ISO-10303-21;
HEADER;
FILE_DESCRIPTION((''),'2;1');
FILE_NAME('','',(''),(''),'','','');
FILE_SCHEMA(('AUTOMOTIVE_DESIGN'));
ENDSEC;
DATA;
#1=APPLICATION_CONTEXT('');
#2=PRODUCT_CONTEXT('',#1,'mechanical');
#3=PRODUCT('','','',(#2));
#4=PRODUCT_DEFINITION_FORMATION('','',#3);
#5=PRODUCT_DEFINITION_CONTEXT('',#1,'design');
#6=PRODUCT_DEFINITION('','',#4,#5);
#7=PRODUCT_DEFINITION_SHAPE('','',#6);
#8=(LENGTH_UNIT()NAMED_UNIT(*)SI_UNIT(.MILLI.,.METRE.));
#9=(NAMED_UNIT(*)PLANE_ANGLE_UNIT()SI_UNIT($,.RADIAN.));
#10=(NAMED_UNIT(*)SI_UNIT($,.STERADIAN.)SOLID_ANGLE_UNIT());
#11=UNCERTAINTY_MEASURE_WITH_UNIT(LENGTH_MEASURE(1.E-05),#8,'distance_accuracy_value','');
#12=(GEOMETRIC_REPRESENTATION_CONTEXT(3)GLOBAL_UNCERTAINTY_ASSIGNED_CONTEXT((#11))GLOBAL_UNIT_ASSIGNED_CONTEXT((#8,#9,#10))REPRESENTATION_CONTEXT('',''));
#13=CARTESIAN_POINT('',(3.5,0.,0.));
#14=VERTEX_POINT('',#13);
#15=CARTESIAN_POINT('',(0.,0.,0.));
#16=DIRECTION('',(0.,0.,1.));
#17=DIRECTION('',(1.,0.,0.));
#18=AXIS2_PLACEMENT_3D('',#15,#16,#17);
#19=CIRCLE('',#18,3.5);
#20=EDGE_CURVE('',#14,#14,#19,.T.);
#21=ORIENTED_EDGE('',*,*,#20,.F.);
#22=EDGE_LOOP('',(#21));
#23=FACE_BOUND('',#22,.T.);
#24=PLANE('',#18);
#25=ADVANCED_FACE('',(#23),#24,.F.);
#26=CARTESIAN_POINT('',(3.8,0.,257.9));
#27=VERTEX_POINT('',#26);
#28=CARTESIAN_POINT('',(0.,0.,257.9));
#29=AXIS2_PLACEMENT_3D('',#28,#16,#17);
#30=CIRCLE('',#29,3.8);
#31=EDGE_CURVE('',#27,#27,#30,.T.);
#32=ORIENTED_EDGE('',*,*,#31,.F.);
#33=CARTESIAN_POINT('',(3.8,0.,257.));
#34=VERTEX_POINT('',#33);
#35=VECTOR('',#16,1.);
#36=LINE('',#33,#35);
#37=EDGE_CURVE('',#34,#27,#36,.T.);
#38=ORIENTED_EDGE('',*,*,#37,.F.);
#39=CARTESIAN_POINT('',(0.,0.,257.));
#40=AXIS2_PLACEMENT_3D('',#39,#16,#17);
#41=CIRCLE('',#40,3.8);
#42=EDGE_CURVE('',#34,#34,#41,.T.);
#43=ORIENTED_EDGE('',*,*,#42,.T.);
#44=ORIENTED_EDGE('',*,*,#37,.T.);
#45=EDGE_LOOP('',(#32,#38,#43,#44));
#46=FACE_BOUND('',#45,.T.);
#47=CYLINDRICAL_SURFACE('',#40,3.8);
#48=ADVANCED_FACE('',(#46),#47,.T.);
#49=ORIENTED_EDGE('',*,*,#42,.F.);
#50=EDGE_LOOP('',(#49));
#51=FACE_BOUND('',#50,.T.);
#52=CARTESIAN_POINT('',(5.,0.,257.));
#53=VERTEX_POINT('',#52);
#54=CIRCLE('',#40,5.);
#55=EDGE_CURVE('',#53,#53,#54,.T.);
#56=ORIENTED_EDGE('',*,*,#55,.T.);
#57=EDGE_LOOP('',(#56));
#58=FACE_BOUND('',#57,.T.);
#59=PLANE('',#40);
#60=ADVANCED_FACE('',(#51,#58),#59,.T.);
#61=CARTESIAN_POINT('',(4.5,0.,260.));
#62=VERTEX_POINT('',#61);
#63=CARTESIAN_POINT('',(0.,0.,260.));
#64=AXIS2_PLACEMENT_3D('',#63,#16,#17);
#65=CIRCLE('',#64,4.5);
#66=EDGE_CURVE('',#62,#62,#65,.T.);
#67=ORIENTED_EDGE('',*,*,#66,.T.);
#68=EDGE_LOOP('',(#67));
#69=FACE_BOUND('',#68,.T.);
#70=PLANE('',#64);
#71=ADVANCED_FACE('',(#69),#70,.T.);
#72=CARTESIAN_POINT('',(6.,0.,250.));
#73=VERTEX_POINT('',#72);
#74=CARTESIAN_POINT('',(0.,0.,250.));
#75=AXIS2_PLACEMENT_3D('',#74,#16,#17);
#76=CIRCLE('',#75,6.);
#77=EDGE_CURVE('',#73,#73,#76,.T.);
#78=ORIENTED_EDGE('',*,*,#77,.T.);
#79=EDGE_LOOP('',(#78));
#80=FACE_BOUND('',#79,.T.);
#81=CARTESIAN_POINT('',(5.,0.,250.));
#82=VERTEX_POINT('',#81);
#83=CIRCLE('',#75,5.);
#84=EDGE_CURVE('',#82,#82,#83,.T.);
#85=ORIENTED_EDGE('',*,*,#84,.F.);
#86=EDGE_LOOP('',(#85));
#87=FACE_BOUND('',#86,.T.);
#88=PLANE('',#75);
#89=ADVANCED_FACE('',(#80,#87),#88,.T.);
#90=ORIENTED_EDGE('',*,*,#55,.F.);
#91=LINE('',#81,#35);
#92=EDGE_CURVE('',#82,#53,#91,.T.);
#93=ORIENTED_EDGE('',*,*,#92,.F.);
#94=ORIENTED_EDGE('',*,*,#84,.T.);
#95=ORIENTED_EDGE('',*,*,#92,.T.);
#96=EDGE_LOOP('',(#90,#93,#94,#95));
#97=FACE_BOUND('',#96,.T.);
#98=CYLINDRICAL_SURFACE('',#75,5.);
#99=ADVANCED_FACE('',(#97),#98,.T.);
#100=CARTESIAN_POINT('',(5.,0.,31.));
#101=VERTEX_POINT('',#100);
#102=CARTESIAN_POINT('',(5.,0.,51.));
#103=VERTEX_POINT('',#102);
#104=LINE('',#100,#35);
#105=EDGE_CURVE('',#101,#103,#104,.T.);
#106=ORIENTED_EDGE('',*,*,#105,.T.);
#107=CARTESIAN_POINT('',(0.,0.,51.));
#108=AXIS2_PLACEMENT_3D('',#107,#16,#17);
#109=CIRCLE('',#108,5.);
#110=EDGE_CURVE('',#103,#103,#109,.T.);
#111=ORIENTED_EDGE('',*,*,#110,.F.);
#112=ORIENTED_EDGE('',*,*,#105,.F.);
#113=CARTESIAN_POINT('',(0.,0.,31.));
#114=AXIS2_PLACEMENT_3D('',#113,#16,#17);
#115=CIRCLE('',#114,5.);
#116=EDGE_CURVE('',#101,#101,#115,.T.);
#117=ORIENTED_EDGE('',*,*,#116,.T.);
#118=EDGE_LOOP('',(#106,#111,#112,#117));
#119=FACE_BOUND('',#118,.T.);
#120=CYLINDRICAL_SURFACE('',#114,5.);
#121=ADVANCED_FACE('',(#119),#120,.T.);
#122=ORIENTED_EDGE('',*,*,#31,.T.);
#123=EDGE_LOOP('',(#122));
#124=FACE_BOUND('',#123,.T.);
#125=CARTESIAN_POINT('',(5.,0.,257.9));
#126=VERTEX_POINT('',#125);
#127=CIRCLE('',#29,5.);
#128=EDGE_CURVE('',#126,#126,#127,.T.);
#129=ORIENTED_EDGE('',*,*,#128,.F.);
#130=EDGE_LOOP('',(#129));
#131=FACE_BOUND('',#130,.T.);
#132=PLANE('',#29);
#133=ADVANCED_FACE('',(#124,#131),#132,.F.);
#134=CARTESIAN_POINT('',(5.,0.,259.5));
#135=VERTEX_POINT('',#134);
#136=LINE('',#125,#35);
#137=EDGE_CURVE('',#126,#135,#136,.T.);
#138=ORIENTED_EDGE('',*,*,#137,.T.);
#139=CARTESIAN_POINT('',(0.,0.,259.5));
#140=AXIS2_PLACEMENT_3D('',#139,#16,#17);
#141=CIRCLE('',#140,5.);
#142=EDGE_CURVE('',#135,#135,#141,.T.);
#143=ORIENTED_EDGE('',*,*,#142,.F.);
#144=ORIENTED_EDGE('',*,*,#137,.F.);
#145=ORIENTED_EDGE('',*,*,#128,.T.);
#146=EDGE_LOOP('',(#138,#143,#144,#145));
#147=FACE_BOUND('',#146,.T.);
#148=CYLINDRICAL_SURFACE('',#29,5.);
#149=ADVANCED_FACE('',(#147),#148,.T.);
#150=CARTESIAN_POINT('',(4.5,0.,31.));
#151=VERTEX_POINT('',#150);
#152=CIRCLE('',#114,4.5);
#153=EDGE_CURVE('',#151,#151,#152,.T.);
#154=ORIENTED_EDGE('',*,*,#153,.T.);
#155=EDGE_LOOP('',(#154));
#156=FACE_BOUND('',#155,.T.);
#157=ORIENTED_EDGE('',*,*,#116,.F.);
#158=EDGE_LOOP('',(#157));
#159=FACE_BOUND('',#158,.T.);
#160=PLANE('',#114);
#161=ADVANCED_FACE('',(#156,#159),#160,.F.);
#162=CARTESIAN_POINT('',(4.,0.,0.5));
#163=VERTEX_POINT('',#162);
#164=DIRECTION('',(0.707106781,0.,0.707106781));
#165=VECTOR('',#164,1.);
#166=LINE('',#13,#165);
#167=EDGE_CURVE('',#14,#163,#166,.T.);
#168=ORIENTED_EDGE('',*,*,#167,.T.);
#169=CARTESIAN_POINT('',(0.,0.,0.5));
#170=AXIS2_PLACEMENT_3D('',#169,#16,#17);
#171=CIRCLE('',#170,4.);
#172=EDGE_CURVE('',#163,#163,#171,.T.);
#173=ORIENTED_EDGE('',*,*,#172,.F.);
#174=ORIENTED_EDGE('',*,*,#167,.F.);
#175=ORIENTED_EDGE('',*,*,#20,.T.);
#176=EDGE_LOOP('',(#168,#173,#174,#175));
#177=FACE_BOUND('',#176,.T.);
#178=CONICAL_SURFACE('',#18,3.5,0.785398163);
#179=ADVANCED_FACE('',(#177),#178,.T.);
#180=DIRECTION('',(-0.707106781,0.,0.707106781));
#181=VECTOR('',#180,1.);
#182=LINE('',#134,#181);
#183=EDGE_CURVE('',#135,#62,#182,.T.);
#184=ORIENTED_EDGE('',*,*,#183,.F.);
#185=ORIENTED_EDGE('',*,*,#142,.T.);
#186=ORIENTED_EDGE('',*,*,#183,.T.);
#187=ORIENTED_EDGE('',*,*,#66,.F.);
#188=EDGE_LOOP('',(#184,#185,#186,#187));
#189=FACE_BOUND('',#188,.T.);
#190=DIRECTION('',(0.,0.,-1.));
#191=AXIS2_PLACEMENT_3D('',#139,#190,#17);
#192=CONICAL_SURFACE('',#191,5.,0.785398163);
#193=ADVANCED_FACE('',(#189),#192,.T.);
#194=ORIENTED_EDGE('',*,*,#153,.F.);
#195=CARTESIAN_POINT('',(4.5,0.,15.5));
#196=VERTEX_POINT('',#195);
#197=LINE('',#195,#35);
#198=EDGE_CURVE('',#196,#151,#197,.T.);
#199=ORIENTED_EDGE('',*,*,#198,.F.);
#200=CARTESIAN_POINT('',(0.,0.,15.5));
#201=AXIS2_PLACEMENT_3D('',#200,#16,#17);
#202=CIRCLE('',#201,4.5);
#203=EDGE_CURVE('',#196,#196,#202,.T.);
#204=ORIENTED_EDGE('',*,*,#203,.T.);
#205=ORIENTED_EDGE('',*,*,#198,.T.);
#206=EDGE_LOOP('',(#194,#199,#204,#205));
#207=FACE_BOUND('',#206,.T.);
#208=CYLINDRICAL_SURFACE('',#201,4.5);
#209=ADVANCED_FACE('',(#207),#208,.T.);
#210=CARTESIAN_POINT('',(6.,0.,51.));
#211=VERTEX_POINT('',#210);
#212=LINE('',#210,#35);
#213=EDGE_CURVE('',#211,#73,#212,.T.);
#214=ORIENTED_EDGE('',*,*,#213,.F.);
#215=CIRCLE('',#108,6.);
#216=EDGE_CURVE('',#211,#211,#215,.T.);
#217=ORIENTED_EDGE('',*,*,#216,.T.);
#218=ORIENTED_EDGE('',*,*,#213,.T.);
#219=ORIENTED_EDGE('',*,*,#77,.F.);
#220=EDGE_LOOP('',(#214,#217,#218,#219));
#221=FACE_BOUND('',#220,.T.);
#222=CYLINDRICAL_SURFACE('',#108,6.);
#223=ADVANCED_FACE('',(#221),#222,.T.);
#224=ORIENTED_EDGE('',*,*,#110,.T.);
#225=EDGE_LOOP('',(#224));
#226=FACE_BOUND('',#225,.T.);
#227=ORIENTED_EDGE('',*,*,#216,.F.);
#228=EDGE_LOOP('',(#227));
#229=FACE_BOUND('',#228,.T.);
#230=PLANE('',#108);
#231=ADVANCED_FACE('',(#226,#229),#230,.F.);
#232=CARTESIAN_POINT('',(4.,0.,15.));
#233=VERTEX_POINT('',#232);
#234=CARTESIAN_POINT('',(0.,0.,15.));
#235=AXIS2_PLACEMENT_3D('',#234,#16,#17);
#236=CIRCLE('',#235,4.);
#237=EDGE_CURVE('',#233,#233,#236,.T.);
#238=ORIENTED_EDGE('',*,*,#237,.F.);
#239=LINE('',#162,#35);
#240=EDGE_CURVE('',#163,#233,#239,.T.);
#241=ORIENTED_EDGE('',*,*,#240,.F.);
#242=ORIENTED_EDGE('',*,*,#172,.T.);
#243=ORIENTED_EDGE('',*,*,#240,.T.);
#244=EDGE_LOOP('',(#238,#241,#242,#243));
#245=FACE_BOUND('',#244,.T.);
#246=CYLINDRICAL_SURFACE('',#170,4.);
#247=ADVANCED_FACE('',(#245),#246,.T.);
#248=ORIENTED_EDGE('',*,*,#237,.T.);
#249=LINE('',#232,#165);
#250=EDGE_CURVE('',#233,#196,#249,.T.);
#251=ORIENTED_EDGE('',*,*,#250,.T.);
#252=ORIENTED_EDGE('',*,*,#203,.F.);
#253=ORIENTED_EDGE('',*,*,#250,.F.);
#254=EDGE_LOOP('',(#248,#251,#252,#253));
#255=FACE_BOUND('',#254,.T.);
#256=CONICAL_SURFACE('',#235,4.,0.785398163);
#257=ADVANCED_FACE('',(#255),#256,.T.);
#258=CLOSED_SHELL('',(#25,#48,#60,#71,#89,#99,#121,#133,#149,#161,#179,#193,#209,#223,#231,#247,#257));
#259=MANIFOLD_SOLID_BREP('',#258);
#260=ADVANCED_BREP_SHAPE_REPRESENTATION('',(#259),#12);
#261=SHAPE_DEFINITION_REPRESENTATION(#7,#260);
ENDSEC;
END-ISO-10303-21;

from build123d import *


with BuildPart() as f1:
    # F0 (on Front) → F1 (revolve)
    with BuildSketch(Plane.XZ):
        Polygon((0, 260), (0, 0), (3.5, 0), (4, 0.5), (4, 15), (4.5, 15.5), (4.5, 31), (5, 31), (5, 51), (6, 51), (6, 250), (5, 250), (5, 257), (3.8, 257), (3.8, 257.9), (5, 257.9), (5, 259.5), (4.5, 260), align=None)
    revolve(axis=Axis((0, 0, 142.919585), (0, 0, 1)))


solid = f1.part
